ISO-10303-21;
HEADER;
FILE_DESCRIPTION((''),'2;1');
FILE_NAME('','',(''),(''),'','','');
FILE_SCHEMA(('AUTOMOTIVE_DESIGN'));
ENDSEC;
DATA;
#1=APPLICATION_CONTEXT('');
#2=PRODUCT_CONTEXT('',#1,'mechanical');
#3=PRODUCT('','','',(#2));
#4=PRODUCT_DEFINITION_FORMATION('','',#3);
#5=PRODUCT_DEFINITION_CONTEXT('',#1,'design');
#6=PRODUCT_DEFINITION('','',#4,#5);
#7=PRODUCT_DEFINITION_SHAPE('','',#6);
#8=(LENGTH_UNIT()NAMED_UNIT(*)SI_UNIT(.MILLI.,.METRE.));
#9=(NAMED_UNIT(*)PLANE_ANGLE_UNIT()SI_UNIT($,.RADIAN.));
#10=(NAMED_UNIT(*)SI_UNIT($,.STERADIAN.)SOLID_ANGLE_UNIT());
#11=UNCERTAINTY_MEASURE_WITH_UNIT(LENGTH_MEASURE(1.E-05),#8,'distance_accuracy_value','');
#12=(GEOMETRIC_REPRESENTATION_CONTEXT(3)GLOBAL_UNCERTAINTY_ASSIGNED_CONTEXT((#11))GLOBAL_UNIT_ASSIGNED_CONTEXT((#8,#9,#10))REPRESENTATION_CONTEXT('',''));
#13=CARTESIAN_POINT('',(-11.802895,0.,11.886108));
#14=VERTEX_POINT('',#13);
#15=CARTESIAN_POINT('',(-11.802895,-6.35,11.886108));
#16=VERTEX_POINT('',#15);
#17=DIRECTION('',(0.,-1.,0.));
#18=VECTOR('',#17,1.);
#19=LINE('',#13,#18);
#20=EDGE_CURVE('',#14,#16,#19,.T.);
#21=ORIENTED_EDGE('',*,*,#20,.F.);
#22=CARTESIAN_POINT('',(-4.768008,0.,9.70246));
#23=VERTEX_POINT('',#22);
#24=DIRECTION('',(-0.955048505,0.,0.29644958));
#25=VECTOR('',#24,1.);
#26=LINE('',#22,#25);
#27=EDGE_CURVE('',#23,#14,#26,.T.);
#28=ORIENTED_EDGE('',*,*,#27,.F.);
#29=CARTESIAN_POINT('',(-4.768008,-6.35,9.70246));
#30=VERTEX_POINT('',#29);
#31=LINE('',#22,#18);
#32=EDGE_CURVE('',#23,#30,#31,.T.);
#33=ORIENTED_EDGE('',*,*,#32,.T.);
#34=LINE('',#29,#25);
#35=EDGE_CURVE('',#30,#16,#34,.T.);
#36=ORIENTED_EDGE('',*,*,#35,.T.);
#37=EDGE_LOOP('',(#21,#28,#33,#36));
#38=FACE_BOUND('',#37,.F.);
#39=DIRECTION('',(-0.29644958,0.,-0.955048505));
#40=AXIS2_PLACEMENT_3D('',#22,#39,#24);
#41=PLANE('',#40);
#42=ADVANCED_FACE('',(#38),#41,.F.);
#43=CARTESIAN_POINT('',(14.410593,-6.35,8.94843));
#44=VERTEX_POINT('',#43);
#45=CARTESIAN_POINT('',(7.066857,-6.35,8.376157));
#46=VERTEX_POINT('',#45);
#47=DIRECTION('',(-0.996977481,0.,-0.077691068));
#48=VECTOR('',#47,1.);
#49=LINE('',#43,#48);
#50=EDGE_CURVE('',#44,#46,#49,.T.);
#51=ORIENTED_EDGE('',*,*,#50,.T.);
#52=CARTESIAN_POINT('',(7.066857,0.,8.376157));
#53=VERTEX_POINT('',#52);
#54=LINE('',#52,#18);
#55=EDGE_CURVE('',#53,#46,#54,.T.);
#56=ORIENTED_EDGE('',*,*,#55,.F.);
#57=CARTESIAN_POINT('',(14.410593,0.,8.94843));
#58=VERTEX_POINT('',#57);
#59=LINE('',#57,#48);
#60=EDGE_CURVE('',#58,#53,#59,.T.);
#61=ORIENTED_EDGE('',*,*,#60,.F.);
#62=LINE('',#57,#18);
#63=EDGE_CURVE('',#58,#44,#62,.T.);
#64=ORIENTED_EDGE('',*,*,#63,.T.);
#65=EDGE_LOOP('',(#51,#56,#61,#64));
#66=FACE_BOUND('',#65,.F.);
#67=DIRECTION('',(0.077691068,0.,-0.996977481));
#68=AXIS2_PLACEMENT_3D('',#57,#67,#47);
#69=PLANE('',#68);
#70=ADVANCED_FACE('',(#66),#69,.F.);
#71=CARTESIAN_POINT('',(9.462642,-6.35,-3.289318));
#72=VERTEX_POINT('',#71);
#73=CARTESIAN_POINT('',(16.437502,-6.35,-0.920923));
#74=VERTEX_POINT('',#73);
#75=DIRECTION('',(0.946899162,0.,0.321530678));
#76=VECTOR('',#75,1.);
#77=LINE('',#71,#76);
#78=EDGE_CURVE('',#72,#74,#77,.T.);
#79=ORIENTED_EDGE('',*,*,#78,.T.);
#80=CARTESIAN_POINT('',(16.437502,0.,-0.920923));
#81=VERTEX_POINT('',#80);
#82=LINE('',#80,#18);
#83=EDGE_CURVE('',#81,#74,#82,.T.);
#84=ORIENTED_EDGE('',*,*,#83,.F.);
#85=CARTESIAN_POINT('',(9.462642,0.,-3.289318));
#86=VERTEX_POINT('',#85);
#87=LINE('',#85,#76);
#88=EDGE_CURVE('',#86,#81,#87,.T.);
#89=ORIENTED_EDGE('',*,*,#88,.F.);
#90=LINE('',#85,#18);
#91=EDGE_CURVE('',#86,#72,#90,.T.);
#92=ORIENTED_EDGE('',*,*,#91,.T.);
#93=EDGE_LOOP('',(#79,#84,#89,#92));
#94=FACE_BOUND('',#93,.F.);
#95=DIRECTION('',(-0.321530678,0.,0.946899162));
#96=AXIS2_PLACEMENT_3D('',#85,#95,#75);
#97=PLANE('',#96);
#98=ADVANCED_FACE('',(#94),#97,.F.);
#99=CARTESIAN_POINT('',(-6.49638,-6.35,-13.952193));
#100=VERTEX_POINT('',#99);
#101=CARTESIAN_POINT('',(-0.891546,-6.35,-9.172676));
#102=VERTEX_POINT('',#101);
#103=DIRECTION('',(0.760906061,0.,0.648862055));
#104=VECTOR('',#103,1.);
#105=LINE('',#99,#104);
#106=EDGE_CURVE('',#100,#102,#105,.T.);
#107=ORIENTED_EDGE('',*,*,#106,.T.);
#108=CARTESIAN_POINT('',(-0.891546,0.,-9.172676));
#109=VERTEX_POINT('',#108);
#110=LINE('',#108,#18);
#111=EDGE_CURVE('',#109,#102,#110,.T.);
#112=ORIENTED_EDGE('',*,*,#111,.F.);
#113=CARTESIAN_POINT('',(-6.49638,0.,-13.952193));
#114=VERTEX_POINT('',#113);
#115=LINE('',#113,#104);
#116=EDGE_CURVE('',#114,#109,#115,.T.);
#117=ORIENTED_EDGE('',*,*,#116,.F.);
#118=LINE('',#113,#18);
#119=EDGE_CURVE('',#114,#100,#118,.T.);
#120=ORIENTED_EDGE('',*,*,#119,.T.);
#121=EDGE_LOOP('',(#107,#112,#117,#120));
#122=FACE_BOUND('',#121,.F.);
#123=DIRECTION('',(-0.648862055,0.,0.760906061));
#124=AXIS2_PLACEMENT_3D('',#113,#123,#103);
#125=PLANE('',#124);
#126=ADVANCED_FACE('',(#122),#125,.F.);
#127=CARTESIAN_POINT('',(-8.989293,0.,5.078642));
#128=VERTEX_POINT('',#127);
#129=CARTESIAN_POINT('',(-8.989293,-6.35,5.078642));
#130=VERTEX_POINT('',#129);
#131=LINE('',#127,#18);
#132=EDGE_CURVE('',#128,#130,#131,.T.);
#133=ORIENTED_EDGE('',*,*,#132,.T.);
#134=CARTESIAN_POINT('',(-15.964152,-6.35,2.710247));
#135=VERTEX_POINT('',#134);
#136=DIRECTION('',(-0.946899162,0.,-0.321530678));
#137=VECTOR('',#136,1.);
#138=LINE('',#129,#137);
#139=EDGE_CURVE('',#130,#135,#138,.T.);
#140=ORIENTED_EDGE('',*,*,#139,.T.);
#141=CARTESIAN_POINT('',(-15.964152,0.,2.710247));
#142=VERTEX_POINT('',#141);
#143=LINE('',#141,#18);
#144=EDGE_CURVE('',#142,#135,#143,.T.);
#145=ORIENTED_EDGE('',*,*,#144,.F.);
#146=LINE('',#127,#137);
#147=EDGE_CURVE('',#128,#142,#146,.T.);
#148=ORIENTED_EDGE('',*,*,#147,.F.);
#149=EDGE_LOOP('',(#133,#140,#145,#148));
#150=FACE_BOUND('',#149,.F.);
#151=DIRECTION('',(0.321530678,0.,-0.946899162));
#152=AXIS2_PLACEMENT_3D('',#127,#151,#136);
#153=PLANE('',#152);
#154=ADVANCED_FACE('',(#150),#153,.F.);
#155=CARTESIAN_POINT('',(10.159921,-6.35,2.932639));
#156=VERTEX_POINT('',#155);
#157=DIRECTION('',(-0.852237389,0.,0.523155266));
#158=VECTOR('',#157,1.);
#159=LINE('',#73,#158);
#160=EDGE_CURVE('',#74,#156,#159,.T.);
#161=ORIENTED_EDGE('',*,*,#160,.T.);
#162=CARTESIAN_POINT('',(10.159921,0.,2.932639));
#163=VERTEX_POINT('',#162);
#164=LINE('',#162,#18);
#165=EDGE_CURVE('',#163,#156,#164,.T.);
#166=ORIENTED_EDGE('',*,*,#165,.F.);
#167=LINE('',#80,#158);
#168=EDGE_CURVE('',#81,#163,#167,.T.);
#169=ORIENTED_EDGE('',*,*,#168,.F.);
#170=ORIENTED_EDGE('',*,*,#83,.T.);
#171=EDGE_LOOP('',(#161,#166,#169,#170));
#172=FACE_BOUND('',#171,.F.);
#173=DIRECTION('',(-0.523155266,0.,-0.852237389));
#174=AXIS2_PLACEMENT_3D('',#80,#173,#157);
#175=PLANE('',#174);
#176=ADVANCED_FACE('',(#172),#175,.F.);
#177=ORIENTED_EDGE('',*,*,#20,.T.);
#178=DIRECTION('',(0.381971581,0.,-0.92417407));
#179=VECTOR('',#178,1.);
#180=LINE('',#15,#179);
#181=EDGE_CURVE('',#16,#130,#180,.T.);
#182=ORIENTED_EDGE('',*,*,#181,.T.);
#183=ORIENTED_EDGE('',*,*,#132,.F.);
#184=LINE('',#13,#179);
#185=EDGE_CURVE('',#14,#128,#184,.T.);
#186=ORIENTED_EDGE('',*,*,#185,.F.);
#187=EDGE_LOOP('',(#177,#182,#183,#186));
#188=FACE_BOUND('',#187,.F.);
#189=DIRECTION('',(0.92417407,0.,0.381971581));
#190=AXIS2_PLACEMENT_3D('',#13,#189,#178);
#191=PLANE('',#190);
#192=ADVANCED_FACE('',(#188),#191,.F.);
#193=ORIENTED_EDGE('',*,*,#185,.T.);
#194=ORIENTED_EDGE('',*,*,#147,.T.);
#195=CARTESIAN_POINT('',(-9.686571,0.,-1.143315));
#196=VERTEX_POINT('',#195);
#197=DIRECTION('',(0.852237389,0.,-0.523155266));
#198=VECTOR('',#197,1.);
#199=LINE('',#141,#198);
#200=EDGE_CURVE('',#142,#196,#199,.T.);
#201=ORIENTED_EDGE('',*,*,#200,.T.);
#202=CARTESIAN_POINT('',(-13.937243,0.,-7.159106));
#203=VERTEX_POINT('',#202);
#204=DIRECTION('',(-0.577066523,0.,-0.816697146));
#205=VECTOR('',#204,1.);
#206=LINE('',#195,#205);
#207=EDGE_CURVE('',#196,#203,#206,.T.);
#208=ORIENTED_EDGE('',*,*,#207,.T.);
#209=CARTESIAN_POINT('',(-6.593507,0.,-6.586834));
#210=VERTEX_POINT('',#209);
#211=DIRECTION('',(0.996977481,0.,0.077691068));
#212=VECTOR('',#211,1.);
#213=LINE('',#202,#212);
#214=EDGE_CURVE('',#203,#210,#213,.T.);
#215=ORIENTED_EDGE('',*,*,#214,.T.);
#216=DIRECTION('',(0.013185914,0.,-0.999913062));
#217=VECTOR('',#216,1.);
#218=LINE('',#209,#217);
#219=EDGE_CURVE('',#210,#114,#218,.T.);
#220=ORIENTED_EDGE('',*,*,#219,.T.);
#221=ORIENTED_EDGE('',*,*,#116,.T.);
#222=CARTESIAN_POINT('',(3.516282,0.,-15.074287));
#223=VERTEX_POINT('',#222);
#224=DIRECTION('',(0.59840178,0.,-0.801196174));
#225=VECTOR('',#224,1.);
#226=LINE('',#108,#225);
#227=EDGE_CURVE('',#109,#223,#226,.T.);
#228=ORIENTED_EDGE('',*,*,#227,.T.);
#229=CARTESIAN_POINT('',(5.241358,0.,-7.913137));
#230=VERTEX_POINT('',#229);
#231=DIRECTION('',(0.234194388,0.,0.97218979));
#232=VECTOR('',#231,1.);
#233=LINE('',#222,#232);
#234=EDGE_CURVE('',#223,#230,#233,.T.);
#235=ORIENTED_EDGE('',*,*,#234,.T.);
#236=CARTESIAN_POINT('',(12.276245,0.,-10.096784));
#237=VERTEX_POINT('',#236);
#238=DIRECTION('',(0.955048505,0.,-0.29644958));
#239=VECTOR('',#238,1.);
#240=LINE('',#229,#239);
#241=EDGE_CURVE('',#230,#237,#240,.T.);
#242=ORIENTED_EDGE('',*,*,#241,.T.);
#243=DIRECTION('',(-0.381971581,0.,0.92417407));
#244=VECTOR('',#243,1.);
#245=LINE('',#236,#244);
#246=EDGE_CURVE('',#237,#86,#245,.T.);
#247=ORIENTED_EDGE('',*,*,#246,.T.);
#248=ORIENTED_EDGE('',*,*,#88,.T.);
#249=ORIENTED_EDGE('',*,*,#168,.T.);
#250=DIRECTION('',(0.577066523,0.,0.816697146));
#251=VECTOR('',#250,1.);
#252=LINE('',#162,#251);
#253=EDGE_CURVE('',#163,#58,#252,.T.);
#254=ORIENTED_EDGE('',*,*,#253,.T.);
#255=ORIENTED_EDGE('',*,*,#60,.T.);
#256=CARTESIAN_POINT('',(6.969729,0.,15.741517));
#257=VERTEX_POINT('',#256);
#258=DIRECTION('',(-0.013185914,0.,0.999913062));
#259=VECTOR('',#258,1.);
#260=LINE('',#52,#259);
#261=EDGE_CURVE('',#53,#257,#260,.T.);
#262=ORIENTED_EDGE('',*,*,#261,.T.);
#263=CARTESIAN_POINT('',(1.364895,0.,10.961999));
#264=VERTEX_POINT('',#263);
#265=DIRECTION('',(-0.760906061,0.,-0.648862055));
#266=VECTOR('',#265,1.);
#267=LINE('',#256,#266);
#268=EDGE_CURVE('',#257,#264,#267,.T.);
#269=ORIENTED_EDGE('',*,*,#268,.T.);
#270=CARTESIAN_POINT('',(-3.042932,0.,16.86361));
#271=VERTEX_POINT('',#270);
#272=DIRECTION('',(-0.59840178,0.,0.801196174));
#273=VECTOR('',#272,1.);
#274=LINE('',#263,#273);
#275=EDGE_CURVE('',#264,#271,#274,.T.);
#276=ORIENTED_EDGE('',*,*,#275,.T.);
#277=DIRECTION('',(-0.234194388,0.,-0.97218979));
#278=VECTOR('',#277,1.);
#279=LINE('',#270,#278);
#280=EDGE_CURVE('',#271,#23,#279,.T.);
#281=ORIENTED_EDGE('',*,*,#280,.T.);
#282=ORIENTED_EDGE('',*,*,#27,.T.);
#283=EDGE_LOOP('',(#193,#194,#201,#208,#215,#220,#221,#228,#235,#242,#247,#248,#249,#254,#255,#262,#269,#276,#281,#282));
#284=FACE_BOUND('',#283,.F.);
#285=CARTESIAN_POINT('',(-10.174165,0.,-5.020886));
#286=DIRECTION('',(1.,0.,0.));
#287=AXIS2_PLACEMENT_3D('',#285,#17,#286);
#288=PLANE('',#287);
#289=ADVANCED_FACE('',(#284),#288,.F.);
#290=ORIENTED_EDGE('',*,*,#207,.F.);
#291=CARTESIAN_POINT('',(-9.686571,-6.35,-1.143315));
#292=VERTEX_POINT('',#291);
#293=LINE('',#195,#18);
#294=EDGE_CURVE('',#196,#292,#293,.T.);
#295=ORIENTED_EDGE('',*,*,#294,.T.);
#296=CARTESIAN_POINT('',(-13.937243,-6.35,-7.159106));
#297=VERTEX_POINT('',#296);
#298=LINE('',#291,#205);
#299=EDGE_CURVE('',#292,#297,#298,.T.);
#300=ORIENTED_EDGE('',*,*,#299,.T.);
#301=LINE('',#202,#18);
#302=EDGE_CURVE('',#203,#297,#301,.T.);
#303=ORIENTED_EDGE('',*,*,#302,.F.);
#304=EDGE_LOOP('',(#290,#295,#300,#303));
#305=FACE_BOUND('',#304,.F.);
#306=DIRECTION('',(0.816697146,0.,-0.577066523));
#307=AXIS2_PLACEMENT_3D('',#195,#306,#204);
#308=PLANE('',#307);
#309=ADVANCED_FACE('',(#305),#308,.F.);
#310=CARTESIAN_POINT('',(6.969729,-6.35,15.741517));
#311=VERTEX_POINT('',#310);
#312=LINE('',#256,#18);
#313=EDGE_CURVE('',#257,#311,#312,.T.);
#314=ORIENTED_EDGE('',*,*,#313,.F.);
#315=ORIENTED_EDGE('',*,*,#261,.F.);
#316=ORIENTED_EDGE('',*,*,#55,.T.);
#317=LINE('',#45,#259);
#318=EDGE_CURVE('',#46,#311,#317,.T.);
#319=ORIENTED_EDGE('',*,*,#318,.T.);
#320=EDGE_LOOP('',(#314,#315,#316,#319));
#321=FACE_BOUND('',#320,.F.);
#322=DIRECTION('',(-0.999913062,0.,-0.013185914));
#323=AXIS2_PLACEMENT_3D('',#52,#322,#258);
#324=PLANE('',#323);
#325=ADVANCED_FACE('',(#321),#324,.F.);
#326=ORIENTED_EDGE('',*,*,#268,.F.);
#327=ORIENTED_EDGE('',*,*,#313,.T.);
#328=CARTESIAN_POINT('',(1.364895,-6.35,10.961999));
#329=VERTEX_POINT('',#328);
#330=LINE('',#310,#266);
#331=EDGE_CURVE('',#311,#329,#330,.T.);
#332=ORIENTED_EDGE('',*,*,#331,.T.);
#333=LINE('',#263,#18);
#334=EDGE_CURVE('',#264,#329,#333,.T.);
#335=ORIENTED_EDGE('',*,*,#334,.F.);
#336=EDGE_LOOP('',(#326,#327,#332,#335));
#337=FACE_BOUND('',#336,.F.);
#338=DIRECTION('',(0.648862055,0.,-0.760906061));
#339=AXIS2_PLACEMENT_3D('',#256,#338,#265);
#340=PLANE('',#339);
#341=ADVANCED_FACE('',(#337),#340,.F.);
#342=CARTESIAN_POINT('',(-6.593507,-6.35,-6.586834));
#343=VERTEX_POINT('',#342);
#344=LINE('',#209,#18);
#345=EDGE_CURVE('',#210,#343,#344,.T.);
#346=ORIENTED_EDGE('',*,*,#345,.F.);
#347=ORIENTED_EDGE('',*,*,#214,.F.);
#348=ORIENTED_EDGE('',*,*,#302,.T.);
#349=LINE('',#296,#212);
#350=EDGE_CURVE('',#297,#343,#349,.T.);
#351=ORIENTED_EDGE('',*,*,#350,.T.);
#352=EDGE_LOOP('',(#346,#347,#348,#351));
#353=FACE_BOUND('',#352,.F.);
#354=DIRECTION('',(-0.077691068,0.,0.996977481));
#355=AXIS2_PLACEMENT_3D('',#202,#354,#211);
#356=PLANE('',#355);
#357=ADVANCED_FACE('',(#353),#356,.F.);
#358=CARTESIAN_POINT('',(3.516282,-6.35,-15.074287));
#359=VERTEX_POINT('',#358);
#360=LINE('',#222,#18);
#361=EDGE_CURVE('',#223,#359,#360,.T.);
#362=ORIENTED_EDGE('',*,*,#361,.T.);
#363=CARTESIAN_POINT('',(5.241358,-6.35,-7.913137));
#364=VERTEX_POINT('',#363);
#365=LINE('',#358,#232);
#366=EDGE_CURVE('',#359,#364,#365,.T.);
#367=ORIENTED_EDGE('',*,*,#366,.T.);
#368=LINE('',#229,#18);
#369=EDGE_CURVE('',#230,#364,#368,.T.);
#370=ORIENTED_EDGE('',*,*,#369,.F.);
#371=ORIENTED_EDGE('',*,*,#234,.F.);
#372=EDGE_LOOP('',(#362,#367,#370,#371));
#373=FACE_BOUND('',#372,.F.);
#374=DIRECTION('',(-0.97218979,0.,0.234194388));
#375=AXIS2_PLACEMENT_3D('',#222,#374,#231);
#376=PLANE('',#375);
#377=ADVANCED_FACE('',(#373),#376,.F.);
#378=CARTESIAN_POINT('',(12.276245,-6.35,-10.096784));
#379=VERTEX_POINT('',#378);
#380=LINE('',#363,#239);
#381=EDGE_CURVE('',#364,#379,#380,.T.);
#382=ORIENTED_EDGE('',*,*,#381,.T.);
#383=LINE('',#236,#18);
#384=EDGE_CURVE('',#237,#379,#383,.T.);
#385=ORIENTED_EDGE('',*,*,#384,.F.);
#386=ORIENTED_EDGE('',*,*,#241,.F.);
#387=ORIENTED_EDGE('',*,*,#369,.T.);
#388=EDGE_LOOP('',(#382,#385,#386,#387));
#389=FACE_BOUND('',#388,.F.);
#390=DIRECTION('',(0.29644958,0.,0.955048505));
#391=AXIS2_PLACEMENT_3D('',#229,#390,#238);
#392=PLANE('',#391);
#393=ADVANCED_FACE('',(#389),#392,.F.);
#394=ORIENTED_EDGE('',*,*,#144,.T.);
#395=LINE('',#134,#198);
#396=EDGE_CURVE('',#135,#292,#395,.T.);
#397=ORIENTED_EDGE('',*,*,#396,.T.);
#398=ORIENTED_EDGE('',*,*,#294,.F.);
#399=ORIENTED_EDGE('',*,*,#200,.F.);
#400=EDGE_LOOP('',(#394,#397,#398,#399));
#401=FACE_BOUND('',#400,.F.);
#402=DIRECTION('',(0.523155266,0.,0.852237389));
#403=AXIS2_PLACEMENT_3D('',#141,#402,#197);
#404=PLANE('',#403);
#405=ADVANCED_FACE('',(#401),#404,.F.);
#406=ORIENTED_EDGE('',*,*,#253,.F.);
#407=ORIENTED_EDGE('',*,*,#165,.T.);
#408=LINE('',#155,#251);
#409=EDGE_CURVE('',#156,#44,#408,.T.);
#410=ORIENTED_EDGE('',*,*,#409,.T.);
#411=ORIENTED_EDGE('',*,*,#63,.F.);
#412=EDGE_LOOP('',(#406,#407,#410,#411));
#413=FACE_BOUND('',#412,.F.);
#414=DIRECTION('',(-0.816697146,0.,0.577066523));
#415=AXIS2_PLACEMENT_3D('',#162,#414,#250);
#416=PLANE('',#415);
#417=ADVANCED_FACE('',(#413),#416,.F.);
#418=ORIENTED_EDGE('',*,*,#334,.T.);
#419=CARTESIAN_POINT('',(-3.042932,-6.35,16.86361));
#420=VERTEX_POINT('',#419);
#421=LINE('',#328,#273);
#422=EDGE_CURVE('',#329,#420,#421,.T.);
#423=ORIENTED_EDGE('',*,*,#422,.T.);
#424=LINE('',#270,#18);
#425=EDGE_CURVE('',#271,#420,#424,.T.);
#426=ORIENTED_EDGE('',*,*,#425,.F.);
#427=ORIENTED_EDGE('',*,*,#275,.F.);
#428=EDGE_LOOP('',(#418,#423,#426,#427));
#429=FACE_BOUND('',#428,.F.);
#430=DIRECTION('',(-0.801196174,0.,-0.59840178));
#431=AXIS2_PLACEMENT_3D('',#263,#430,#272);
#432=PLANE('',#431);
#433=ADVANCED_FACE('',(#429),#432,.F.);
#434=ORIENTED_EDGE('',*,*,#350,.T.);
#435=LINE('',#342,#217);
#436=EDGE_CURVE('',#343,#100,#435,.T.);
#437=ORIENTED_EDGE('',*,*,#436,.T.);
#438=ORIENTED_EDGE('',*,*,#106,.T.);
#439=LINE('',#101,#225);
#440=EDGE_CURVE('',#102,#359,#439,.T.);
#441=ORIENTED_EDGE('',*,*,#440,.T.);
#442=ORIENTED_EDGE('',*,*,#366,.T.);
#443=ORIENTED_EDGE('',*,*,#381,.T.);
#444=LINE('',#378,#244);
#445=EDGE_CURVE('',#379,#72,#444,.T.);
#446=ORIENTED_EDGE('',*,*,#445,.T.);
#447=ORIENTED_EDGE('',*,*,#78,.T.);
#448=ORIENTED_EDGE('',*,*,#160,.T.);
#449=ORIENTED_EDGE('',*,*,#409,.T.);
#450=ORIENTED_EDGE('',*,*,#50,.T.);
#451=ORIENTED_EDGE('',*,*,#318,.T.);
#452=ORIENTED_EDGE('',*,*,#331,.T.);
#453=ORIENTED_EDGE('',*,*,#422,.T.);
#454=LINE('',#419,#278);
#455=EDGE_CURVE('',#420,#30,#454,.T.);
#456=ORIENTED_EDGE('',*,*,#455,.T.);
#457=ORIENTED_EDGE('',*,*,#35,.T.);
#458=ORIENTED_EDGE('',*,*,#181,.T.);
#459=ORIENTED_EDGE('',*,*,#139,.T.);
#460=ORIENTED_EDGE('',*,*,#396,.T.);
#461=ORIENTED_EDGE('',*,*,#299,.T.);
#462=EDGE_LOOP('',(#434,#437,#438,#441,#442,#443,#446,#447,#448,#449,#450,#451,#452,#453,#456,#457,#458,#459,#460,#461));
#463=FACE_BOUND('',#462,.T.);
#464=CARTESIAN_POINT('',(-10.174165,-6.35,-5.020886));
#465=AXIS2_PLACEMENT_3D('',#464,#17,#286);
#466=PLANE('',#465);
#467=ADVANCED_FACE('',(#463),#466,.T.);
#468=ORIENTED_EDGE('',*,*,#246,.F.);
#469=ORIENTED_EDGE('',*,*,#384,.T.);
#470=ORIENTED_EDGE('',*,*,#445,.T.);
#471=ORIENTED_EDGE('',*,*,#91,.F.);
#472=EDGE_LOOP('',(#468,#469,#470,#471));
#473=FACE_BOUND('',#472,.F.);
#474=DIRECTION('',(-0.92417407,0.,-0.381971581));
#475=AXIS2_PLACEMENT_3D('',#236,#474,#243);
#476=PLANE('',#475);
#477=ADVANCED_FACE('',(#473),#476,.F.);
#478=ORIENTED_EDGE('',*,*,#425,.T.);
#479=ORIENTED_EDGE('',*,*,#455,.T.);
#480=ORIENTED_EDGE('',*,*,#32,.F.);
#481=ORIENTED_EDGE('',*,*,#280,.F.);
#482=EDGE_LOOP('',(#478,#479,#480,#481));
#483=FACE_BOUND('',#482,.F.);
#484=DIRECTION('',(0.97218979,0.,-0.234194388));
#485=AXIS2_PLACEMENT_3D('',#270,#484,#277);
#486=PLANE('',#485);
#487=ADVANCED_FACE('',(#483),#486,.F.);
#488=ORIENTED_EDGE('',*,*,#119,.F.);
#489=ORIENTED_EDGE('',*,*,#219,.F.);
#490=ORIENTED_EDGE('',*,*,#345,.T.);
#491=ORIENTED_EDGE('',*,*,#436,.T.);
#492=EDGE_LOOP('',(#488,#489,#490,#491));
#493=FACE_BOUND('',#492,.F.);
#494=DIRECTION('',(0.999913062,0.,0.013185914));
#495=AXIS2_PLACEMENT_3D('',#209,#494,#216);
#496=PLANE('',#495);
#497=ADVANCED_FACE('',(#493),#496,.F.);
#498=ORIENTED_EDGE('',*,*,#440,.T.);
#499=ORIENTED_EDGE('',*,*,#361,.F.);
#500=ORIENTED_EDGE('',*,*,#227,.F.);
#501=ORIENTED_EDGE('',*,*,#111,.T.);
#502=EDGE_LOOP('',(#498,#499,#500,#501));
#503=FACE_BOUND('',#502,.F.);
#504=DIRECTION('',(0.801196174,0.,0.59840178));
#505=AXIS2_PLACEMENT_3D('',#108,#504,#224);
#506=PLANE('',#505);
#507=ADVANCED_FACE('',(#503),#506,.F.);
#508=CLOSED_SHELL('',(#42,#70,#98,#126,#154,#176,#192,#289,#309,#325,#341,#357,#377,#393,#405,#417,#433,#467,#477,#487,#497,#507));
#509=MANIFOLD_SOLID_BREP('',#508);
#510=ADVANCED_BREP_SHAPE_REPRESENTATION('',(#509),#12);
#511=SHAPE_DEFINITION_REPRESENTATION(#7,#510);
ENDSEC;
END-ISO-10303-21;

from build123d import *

# Parameters (mm, degrees)
F1_DEPTH = 6.35


with BuildPart() as f1:
    # F0 (on Front) → F1 (new body)
    with BuildSketch(Plane.XZ):
        Polygon((-13.9372432471, -7.1591061907), (-6.593507121, -6.5868337818), (-9.6865712375, -1.1433150152), align=None)
        Polygon((-9.6865712375, -1.1433150152), (-6.593507121, -6.5868337818), (-0.8915456345, -9.172675501), (5.2413577367, -7.9131365257), (9.4626423545, -3.2893179343), (10.1599209711, 2.9326387291), (7.0668568545, 8.3761574957), (1.364895368, 10.9619992149), (-4.7680080032, 9.7024602396), (-8.989292621, 5.0786416482), align=None)
        Polygon((-0.8915456345, -9.172675501), (-6.593507121, -6.5868337818), (-6.4963796804, -13.9521933969), align=None)
        Polygon((-15.9641518481, 2.7102466722), (-9.6865712375, -1.1433150152), (-8.989292621, 5.0786416482), align=None)
        Polygon((5.2413577367, -7.9131365257), (-0.8915456345, -9.172675501), (3.5162818752, -15.0742865222), align=None)
        Polygon((-11.8028952898, 11.8861078451), (-8.989292621, 5.0786416482), (-4.7680080032, 9.7024602396), align=None)
        Polygon((9.4626423545, -3.2893179343), (5.2413577367, -7.9131365257), (12.2762450233, -10.0967841312), align=None)
        Polygon((-3.0429321417, 16.8636102361), (-4.7680080032, 9.7024602396), (1.364895368, 10.9619992149), align=None)
        Polygon((10.1599209711, 2.9326387291), (9.4626423545, -3.2893179343), (16.4375015816, -0.9209229583), align=None)
        Polygon((6.9697294139, 15.7415171108), (1.364895368, 10.9619992149), (7.0668568545, 8.3761574957), align=None)
        Polygon((7.0668568545, 8.3761574957), (10.1599209711, 2.9326387291), (14.4105929806, 8.9484299046), align=None)
    extrude(amount=F1_DEPTH)


solid = f1.part
